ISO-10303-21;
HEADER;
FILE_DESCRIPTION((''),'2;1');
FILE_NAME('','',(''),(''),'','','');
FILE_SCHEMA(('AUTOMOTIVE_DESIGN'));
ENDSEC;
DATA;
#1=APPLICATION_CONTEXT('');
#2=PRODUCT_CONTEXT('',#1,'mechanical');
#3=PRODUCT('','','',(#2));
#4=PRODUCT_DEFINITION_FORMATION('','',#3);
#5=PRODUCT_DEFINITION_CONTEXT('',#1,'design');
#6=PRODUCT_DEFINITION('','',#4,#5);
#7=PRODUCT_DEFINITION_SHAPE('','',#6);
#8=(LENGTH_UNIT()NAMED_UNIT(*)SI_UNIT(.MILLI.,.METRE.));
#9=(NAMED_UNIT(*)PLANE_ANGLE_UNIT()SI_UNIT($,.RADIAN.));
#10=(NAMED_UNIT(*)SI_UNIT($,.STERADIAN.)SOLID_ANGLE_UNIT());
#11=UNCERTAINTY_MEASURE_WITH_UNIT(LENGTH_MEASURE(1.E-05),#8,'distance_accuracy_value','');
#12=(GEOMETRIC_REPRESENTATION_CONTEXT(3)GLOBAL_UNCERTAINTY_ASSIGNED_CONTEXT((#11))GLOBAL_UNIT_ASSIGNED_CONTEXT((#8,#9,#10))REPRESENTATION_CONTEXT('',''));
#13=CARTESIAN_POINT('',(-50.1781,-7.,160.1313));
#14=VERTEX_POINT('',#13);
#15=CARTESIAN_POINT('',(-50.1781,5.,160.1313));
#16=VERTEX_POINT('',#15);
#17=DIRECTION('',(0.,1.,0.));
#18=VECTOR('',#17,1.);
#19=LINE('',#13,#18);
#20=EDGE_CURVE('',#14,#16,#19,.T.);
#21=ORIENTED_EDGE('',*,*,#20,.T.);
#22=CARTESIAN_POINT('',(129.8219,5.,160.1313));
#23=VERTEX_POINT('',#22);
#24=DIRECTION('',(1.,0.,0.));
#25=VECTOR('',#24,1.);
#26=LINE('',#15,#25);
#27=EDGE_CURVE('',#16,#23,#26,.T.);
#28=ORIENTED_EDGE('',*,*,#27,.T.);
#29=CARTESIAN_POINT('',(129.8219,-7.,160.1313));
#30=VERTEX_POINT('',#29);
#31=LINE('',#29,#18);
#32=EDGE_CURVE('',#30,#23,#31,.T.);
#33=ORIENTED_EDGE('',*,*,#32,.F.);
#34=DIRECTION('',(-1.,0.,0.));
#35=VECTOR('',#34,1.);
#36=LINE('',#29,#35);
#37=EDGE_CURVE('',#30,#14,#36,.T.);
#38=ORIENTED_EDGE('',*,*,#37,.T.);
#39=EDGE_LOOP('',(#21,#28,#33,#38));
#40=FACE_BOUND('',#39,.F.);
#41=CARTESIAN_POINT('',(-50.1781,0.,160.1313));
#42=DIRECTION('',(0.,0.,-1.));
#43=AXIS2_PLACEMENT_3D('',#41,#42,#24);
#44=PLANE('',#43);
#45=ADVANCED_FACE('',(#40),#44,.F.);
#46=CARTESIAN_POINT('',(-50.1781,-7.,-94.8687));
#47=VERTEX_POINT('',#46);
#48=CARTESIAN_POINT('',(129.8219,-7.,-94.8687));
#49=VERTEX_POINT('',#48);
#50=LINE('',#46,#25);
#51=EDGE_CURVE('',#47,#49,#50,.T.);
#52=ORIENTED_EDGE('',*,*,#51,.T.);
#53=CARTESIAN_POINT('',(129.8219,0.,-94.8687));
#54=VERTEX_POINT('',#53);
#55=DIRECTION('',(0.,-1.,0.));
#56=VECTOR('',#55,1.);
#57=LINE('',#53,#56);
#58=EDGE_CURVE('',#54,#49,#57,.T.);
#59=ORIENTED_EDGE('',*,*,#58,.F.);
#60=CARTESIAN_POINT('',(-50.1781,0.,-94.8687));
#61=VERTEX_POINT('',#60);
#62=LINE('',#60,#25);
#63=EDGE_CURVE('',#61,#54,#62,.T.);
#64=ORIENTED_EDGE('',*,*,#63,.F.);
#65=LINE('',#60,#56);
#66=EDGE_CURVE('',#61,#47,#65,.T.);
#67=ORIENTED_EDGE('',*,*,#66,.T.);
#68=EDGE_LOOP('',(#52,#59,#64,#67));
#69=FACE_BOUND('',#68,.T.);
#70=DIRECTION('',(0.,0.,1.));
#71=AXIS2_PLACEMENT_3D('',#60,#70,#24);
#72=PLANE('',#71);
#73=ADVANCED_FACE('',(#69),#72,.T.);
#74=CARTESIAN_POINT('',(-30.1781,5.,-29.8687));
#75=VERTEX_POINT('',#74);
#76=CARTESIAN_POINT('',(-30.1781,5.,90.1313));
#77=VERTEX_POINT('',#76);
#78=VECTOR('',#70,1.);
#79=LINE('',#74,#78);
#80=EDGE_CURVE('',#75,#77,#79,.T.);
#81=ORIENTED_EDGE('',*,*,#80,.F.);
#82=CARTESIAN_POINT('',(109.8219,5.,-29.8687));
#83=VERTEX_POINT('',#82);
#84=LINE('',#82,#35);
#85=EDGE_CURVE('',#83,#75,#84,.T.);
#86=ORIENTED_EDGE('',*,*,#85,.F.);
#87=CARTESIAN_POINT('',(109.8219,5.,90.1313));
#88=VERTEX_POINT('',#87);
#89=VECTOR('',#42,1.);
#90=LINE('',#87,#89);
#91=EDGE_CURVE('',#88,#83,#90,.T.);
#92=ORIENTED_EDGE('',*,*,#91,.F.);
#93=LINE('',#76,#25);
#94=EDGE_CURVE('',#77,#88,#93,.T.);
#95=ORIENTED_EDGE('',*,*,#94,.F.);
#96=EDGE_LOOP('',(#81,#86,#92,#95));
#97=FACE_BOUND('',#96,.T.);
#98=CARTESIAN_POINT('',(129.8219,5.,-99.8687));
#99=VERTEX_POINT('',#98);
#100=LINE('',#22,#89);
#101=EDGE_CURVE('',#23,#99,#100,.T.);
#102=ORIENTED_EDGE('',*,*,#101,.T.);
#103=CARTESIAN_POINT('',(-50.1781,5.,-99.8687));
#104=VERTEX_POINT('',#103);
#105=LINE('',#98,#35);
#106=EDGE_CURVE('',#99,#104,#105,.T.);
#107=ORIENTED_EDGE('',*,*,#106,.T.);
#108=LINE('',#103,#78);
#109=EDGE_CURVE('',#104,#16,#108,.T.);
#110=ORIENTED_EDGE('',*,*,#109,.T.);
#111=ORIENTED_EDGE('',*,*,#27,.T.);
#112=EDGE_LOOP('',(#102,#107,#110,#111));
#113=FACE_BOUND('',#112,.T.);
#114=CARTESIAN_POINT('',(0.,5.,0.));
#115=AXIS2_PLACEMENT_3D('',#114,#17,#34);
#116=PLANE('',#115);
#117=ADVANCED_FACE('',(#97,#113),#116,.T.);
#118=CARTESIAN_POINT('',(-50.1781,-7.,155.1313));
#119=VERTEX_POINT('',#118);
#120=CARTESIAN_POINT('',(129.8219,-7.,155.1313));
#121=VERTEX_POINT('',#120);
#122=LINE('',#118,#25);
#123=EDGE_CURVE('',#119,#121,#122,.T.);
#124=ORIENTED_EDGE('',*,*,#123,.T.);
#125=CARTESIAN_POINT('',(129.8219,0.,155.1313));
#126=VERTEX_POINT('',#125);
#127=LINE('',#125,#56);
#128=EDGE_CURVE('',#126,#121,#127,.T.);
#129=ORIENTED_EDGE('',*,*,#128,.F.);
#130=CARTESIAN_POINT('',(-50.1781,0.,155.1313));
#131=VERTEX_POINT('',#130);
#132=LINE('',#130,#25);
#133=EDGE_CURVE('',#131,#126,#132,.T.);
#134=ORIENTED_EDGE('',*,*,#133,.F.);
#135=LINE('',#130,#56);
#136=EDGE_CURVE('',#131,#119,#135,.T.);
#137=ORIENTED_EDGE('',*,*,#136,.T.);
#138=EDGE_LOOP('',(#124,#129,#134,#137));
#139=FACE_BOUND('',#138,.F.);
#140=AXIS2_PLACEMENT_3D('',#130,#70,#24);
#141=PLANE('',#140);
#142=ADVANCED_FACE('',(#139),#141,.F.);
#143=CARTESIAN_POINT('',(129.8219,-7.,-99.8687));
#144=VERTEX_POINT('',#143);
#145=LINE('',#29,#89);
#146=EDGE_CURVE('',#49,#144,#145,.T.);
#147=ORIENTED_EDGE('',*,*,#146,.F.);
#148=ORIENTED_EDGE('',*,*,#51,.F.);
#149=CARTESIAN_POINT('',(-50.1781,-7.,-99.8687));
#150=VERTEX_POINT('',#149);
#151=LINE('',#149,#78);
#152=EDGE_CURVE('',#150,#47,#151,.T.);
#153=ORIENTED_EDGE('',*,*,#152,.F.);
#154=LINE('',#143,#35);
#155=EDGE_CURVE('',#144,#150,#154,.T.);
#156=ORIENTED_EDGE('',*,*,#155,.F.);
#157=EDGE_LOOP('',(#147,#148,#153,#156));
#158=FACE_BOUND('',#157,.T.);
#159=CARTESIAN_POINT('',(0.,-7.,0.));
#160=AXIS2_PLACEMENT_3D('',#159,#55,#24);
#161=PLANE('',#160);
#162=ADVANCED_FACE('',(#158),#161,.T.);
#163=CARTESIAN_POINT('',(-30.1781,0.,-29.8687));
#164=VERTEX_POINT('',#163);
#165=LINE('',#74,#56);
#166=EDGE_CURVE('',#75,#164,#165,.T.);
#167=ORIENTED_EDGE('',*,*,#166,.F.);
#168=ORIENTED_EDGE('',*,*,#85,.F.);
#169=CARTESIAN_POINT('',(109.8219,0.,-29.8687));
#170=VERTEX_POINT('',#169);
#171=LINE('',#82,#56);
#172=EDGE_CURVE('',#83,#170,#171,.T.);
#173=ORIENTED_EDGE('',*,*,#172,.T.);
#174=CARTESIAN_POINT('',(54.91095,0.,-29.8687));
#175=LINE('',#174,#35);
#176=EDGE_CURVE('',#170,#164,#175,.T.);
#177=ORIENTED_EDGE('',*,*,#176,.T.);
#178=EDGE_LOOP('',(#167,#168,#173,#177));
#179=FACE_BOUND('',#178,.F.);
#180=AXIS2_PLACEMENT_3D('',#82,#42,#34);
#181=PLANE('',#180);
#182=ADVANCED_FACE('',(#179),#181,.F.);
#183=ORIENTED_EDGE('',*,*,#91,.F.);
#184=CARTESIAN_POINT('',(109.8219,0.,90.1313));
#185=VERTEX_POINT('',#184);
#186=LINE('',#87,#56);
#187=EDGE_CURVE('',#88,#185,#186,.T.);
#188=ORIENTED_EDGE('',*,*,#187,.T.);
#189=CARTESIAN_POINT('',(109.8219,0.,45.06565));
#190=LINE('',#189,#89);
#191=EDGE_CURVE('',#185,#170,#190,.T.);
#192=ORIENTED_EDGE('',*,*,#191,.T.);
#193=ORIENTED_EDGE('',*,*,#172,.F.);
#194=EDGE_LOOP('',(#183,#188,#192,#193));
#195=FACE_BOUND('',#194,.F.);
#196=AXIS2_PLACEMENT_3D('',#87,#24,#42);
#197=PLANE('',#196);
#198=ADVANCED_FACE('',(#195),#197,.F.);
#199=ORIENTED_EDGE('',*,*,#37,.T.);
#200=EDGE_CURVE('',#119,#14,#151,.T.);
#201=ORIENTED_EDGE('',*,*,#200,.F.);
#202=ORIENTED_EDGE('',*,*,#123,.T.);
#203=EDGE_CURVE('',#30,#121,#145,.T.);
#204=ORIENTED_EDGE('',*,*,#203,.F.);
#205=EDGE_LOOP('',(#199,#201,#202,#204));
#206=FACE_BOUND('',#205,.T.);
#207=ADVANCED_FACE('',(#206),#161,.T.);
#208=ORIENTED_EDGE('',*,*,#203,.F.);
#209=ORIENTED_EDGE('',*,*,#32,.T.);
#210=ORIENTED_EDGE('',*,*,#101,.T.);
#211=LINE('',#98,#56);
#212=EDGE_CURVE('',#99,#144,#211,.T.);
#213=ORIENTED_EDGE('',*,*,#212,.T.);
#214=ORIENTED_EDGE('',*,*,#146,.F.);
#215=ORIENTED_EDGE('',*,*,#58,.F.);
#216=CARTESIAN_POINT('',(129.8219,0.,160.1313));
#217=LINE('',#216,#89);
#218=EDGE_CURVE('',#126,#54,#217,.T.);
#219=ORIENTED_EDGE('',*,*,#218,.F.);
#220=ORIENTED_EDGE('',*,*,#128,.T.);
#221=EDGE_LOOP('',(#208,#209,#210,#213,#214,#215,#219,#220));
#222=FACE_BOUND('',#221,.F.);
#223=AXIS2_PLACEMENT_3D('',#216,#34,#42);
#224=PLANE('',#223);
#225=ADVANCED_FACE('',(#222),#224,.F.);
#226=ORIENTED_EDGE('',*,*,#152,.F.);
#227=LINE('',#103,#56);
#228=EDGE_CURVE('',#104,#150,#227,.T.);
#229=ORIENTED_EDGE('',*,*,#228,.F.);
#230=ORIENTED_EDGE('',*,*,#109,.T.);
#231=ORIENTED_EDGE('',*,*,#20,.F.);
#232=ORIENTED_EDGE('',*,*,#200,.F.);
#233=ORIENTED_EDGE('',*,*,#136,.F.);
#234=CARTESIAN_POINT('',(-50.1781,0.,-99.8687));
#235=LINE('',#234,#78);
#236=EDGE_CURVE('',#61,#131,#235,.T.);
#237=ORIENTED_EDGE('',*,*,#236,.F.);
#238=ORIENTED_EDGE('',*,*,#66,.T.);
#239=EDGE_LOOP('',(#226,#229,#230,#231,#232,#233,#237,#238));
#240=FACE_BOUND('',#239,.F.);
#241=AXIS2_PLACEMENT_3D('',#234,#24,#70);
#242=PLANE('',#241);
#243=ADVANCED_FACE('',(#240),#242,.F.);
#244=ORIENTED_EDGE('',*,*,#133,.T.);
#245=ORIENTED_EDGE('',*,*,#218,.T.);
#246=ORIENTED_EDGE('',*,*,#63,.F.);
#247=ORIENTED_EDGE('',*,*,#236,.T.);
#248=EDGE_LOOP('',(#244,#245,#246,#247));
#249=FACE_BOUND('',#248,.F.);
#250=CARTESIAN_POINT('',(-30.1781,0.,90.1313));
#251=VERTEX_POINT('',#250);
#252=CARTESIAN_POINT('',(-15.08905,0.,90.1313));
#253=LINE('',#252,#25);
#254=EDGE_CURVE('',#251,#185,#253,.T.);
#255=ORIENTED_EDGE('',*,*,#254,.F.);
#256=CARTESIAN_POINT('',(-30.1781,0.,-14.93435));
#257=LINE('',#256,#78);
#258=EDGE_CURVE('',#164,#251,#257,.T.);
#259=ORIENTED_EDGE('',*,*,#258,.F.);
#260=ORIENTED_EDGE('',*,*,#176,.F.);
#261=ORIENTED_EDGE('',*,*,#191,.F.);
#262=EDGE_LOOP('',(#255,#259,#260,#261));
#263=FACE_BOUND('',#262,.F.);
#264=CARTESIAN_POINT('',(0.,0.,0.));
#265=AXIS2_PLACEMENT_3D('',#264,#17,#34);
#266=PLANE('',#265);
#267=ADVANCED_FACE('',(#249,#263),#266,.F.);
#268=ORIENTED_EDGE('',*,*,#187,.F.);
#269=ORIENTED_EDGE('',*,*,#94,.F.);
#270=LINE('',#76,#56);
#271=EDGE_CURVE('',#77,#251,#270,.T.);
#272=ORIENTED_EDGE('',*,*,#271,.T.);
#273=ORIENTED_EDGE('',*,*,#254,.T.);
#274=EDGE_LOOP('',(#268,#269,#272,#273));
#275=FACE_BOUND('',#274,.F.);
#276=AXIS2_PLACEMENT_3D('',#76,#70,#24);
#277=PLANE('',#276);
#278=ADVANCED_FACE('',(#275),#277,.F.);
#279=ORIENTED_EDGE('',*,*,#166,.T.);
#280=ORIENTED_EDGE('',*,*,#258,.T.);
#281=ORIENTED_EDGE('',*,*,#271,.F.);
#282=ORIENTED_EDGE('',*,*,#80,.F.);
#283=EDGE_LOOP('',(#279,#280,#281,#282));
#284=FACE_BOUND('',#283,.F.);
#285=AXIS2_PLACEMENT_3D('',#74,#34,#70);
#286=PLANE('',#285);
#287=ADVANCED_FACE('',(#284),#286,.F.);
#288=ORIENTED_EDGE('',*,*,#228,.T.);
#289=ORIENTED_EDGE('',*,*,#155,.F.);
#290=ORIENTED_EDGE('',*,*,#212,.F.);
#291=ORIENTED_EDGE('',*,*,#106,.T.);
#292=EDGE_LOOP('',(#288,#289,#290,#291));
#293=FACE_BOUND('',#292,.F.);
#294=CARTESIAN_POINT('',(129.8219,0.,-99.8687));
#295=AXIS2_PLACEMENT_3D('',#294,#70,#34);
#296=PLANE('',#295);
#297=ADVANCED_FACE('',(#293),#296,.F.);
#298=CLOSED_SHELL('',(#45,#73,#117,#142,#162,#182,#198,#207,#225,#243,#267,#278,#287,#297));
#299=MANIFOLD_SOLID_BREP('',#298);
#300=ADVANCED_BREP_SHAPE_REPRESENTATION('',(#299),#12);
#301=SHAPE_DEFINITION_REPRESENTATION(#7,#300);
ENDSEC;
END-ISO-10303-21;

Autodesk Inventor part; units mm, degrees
ref_plane "YZ Plane" through (0, 0, 0) normal (1, 0, 0) x (0, 1, 0)
ref_plane "XZ Plane" through (0, 0, 0) normal (0, 1, 0) x (-1, 0, 0)
ref_plane "XY Plane" through (0, 0, 0) normal (0, 0, 1) x (1, 0, 0)
sketch "Sketch1" plane through (0, 0, 0) normal (0, 1, 0) x (-1, 0, 0)
  line L0 (50.1781, 160.1313) -> (-129.8219, 160.1313)
  line L1 (-129.8219, 160.1313) -> (-129.8219, -99.8687)
  line L2 (-129.8219, -99.8687) -> (50.1781, -99.8687)
  line L3 (50.1781, -99.8687) -> (50.1781, 160.1313)
  point P0 (0, 0)
  dimension "d0" = 260
  dimension "d1" = 180
extrude "Extrusion1" add sketch "Sketch1" along normal blind 5
sketch "Sketch2" plane through (0, 0, 0) normal (0, -1, 0) x (1, 0, 0)
  line L0 (129.8219, 160.1313) -> (129.8219, -99.8687) projected
  line L1 (-50.1781, -99.8687) -> (-50.1781, 160.1313) projected
  line L2 (129.8219, 160.1313) -> (-50.1781, 160.1313)
  line L3 (-50.1781, 160.1313) -> (-50.1781, 155.1313)
  line L4 (-50.1781, 155.1313) -> (129.8219, 155.1313)
  line L5 (129.8219, 155.1313) -> (129.8219, 160.1313)
  line L6 (129.8219, -99.8687) -> (-50.1781, -99.8687)
  line L7 (-50.1781, -99.8687) -> (-50.1781, -94.8687)
  line L8 (-50.1781, -94.8687) -> (129.8219, -94.8687)
  line L9 (129.8219, -94.8687) -> (129.8219, -99.8687)
  point P0 (0, 0)
  point P1 (129.8219, 155.1313)
  dimension "d4" = 5
  dimension "d5" = 5
extrude "Extrusion2" add sketch "Sketch2" along normal blind 7 contours L0 L4 L1 L2 | L0 L6 L1 L8
sketch "Sketch3" plane through (0, 5, 0) normal (0, 1, 0) x (1, 0, 0)
  line L0 (109.8219, 29.8687) -> (-30.1781, 29.8687)
  line L1 (-30.1781, 29.8687) -> (-30.1781, -90.1313)
  line L2 (-30.1781, -90.1313) -> (109.8219, -90.1313)
  line L3 (109.8219, -90.1313) -> (109.8219, 29.8687)
  line L4 (129.8219, -160.1313) -> (129.8219, 99.8687) projected
  line L5 (-50.1781, 99.8687) -> (-50.1781, -160.1313) projected
  line L6 (-50.1781, -160.1313) -> (129.8219, -160.1313) projected
  line L7 (129.8219, 99.8687) -> (-50.1781, 99.8687) projected
  point P0 (0, 0)
  dimension "d8" = 20
  dimension "d9" = 20
  dimension "d10" = 70
  dimension "d11" = 70
extrude "Extrusion3" cut sketch "Sketch3" against normal through all contours L3 L2 L1 L0
properties part number "machine_platform"
